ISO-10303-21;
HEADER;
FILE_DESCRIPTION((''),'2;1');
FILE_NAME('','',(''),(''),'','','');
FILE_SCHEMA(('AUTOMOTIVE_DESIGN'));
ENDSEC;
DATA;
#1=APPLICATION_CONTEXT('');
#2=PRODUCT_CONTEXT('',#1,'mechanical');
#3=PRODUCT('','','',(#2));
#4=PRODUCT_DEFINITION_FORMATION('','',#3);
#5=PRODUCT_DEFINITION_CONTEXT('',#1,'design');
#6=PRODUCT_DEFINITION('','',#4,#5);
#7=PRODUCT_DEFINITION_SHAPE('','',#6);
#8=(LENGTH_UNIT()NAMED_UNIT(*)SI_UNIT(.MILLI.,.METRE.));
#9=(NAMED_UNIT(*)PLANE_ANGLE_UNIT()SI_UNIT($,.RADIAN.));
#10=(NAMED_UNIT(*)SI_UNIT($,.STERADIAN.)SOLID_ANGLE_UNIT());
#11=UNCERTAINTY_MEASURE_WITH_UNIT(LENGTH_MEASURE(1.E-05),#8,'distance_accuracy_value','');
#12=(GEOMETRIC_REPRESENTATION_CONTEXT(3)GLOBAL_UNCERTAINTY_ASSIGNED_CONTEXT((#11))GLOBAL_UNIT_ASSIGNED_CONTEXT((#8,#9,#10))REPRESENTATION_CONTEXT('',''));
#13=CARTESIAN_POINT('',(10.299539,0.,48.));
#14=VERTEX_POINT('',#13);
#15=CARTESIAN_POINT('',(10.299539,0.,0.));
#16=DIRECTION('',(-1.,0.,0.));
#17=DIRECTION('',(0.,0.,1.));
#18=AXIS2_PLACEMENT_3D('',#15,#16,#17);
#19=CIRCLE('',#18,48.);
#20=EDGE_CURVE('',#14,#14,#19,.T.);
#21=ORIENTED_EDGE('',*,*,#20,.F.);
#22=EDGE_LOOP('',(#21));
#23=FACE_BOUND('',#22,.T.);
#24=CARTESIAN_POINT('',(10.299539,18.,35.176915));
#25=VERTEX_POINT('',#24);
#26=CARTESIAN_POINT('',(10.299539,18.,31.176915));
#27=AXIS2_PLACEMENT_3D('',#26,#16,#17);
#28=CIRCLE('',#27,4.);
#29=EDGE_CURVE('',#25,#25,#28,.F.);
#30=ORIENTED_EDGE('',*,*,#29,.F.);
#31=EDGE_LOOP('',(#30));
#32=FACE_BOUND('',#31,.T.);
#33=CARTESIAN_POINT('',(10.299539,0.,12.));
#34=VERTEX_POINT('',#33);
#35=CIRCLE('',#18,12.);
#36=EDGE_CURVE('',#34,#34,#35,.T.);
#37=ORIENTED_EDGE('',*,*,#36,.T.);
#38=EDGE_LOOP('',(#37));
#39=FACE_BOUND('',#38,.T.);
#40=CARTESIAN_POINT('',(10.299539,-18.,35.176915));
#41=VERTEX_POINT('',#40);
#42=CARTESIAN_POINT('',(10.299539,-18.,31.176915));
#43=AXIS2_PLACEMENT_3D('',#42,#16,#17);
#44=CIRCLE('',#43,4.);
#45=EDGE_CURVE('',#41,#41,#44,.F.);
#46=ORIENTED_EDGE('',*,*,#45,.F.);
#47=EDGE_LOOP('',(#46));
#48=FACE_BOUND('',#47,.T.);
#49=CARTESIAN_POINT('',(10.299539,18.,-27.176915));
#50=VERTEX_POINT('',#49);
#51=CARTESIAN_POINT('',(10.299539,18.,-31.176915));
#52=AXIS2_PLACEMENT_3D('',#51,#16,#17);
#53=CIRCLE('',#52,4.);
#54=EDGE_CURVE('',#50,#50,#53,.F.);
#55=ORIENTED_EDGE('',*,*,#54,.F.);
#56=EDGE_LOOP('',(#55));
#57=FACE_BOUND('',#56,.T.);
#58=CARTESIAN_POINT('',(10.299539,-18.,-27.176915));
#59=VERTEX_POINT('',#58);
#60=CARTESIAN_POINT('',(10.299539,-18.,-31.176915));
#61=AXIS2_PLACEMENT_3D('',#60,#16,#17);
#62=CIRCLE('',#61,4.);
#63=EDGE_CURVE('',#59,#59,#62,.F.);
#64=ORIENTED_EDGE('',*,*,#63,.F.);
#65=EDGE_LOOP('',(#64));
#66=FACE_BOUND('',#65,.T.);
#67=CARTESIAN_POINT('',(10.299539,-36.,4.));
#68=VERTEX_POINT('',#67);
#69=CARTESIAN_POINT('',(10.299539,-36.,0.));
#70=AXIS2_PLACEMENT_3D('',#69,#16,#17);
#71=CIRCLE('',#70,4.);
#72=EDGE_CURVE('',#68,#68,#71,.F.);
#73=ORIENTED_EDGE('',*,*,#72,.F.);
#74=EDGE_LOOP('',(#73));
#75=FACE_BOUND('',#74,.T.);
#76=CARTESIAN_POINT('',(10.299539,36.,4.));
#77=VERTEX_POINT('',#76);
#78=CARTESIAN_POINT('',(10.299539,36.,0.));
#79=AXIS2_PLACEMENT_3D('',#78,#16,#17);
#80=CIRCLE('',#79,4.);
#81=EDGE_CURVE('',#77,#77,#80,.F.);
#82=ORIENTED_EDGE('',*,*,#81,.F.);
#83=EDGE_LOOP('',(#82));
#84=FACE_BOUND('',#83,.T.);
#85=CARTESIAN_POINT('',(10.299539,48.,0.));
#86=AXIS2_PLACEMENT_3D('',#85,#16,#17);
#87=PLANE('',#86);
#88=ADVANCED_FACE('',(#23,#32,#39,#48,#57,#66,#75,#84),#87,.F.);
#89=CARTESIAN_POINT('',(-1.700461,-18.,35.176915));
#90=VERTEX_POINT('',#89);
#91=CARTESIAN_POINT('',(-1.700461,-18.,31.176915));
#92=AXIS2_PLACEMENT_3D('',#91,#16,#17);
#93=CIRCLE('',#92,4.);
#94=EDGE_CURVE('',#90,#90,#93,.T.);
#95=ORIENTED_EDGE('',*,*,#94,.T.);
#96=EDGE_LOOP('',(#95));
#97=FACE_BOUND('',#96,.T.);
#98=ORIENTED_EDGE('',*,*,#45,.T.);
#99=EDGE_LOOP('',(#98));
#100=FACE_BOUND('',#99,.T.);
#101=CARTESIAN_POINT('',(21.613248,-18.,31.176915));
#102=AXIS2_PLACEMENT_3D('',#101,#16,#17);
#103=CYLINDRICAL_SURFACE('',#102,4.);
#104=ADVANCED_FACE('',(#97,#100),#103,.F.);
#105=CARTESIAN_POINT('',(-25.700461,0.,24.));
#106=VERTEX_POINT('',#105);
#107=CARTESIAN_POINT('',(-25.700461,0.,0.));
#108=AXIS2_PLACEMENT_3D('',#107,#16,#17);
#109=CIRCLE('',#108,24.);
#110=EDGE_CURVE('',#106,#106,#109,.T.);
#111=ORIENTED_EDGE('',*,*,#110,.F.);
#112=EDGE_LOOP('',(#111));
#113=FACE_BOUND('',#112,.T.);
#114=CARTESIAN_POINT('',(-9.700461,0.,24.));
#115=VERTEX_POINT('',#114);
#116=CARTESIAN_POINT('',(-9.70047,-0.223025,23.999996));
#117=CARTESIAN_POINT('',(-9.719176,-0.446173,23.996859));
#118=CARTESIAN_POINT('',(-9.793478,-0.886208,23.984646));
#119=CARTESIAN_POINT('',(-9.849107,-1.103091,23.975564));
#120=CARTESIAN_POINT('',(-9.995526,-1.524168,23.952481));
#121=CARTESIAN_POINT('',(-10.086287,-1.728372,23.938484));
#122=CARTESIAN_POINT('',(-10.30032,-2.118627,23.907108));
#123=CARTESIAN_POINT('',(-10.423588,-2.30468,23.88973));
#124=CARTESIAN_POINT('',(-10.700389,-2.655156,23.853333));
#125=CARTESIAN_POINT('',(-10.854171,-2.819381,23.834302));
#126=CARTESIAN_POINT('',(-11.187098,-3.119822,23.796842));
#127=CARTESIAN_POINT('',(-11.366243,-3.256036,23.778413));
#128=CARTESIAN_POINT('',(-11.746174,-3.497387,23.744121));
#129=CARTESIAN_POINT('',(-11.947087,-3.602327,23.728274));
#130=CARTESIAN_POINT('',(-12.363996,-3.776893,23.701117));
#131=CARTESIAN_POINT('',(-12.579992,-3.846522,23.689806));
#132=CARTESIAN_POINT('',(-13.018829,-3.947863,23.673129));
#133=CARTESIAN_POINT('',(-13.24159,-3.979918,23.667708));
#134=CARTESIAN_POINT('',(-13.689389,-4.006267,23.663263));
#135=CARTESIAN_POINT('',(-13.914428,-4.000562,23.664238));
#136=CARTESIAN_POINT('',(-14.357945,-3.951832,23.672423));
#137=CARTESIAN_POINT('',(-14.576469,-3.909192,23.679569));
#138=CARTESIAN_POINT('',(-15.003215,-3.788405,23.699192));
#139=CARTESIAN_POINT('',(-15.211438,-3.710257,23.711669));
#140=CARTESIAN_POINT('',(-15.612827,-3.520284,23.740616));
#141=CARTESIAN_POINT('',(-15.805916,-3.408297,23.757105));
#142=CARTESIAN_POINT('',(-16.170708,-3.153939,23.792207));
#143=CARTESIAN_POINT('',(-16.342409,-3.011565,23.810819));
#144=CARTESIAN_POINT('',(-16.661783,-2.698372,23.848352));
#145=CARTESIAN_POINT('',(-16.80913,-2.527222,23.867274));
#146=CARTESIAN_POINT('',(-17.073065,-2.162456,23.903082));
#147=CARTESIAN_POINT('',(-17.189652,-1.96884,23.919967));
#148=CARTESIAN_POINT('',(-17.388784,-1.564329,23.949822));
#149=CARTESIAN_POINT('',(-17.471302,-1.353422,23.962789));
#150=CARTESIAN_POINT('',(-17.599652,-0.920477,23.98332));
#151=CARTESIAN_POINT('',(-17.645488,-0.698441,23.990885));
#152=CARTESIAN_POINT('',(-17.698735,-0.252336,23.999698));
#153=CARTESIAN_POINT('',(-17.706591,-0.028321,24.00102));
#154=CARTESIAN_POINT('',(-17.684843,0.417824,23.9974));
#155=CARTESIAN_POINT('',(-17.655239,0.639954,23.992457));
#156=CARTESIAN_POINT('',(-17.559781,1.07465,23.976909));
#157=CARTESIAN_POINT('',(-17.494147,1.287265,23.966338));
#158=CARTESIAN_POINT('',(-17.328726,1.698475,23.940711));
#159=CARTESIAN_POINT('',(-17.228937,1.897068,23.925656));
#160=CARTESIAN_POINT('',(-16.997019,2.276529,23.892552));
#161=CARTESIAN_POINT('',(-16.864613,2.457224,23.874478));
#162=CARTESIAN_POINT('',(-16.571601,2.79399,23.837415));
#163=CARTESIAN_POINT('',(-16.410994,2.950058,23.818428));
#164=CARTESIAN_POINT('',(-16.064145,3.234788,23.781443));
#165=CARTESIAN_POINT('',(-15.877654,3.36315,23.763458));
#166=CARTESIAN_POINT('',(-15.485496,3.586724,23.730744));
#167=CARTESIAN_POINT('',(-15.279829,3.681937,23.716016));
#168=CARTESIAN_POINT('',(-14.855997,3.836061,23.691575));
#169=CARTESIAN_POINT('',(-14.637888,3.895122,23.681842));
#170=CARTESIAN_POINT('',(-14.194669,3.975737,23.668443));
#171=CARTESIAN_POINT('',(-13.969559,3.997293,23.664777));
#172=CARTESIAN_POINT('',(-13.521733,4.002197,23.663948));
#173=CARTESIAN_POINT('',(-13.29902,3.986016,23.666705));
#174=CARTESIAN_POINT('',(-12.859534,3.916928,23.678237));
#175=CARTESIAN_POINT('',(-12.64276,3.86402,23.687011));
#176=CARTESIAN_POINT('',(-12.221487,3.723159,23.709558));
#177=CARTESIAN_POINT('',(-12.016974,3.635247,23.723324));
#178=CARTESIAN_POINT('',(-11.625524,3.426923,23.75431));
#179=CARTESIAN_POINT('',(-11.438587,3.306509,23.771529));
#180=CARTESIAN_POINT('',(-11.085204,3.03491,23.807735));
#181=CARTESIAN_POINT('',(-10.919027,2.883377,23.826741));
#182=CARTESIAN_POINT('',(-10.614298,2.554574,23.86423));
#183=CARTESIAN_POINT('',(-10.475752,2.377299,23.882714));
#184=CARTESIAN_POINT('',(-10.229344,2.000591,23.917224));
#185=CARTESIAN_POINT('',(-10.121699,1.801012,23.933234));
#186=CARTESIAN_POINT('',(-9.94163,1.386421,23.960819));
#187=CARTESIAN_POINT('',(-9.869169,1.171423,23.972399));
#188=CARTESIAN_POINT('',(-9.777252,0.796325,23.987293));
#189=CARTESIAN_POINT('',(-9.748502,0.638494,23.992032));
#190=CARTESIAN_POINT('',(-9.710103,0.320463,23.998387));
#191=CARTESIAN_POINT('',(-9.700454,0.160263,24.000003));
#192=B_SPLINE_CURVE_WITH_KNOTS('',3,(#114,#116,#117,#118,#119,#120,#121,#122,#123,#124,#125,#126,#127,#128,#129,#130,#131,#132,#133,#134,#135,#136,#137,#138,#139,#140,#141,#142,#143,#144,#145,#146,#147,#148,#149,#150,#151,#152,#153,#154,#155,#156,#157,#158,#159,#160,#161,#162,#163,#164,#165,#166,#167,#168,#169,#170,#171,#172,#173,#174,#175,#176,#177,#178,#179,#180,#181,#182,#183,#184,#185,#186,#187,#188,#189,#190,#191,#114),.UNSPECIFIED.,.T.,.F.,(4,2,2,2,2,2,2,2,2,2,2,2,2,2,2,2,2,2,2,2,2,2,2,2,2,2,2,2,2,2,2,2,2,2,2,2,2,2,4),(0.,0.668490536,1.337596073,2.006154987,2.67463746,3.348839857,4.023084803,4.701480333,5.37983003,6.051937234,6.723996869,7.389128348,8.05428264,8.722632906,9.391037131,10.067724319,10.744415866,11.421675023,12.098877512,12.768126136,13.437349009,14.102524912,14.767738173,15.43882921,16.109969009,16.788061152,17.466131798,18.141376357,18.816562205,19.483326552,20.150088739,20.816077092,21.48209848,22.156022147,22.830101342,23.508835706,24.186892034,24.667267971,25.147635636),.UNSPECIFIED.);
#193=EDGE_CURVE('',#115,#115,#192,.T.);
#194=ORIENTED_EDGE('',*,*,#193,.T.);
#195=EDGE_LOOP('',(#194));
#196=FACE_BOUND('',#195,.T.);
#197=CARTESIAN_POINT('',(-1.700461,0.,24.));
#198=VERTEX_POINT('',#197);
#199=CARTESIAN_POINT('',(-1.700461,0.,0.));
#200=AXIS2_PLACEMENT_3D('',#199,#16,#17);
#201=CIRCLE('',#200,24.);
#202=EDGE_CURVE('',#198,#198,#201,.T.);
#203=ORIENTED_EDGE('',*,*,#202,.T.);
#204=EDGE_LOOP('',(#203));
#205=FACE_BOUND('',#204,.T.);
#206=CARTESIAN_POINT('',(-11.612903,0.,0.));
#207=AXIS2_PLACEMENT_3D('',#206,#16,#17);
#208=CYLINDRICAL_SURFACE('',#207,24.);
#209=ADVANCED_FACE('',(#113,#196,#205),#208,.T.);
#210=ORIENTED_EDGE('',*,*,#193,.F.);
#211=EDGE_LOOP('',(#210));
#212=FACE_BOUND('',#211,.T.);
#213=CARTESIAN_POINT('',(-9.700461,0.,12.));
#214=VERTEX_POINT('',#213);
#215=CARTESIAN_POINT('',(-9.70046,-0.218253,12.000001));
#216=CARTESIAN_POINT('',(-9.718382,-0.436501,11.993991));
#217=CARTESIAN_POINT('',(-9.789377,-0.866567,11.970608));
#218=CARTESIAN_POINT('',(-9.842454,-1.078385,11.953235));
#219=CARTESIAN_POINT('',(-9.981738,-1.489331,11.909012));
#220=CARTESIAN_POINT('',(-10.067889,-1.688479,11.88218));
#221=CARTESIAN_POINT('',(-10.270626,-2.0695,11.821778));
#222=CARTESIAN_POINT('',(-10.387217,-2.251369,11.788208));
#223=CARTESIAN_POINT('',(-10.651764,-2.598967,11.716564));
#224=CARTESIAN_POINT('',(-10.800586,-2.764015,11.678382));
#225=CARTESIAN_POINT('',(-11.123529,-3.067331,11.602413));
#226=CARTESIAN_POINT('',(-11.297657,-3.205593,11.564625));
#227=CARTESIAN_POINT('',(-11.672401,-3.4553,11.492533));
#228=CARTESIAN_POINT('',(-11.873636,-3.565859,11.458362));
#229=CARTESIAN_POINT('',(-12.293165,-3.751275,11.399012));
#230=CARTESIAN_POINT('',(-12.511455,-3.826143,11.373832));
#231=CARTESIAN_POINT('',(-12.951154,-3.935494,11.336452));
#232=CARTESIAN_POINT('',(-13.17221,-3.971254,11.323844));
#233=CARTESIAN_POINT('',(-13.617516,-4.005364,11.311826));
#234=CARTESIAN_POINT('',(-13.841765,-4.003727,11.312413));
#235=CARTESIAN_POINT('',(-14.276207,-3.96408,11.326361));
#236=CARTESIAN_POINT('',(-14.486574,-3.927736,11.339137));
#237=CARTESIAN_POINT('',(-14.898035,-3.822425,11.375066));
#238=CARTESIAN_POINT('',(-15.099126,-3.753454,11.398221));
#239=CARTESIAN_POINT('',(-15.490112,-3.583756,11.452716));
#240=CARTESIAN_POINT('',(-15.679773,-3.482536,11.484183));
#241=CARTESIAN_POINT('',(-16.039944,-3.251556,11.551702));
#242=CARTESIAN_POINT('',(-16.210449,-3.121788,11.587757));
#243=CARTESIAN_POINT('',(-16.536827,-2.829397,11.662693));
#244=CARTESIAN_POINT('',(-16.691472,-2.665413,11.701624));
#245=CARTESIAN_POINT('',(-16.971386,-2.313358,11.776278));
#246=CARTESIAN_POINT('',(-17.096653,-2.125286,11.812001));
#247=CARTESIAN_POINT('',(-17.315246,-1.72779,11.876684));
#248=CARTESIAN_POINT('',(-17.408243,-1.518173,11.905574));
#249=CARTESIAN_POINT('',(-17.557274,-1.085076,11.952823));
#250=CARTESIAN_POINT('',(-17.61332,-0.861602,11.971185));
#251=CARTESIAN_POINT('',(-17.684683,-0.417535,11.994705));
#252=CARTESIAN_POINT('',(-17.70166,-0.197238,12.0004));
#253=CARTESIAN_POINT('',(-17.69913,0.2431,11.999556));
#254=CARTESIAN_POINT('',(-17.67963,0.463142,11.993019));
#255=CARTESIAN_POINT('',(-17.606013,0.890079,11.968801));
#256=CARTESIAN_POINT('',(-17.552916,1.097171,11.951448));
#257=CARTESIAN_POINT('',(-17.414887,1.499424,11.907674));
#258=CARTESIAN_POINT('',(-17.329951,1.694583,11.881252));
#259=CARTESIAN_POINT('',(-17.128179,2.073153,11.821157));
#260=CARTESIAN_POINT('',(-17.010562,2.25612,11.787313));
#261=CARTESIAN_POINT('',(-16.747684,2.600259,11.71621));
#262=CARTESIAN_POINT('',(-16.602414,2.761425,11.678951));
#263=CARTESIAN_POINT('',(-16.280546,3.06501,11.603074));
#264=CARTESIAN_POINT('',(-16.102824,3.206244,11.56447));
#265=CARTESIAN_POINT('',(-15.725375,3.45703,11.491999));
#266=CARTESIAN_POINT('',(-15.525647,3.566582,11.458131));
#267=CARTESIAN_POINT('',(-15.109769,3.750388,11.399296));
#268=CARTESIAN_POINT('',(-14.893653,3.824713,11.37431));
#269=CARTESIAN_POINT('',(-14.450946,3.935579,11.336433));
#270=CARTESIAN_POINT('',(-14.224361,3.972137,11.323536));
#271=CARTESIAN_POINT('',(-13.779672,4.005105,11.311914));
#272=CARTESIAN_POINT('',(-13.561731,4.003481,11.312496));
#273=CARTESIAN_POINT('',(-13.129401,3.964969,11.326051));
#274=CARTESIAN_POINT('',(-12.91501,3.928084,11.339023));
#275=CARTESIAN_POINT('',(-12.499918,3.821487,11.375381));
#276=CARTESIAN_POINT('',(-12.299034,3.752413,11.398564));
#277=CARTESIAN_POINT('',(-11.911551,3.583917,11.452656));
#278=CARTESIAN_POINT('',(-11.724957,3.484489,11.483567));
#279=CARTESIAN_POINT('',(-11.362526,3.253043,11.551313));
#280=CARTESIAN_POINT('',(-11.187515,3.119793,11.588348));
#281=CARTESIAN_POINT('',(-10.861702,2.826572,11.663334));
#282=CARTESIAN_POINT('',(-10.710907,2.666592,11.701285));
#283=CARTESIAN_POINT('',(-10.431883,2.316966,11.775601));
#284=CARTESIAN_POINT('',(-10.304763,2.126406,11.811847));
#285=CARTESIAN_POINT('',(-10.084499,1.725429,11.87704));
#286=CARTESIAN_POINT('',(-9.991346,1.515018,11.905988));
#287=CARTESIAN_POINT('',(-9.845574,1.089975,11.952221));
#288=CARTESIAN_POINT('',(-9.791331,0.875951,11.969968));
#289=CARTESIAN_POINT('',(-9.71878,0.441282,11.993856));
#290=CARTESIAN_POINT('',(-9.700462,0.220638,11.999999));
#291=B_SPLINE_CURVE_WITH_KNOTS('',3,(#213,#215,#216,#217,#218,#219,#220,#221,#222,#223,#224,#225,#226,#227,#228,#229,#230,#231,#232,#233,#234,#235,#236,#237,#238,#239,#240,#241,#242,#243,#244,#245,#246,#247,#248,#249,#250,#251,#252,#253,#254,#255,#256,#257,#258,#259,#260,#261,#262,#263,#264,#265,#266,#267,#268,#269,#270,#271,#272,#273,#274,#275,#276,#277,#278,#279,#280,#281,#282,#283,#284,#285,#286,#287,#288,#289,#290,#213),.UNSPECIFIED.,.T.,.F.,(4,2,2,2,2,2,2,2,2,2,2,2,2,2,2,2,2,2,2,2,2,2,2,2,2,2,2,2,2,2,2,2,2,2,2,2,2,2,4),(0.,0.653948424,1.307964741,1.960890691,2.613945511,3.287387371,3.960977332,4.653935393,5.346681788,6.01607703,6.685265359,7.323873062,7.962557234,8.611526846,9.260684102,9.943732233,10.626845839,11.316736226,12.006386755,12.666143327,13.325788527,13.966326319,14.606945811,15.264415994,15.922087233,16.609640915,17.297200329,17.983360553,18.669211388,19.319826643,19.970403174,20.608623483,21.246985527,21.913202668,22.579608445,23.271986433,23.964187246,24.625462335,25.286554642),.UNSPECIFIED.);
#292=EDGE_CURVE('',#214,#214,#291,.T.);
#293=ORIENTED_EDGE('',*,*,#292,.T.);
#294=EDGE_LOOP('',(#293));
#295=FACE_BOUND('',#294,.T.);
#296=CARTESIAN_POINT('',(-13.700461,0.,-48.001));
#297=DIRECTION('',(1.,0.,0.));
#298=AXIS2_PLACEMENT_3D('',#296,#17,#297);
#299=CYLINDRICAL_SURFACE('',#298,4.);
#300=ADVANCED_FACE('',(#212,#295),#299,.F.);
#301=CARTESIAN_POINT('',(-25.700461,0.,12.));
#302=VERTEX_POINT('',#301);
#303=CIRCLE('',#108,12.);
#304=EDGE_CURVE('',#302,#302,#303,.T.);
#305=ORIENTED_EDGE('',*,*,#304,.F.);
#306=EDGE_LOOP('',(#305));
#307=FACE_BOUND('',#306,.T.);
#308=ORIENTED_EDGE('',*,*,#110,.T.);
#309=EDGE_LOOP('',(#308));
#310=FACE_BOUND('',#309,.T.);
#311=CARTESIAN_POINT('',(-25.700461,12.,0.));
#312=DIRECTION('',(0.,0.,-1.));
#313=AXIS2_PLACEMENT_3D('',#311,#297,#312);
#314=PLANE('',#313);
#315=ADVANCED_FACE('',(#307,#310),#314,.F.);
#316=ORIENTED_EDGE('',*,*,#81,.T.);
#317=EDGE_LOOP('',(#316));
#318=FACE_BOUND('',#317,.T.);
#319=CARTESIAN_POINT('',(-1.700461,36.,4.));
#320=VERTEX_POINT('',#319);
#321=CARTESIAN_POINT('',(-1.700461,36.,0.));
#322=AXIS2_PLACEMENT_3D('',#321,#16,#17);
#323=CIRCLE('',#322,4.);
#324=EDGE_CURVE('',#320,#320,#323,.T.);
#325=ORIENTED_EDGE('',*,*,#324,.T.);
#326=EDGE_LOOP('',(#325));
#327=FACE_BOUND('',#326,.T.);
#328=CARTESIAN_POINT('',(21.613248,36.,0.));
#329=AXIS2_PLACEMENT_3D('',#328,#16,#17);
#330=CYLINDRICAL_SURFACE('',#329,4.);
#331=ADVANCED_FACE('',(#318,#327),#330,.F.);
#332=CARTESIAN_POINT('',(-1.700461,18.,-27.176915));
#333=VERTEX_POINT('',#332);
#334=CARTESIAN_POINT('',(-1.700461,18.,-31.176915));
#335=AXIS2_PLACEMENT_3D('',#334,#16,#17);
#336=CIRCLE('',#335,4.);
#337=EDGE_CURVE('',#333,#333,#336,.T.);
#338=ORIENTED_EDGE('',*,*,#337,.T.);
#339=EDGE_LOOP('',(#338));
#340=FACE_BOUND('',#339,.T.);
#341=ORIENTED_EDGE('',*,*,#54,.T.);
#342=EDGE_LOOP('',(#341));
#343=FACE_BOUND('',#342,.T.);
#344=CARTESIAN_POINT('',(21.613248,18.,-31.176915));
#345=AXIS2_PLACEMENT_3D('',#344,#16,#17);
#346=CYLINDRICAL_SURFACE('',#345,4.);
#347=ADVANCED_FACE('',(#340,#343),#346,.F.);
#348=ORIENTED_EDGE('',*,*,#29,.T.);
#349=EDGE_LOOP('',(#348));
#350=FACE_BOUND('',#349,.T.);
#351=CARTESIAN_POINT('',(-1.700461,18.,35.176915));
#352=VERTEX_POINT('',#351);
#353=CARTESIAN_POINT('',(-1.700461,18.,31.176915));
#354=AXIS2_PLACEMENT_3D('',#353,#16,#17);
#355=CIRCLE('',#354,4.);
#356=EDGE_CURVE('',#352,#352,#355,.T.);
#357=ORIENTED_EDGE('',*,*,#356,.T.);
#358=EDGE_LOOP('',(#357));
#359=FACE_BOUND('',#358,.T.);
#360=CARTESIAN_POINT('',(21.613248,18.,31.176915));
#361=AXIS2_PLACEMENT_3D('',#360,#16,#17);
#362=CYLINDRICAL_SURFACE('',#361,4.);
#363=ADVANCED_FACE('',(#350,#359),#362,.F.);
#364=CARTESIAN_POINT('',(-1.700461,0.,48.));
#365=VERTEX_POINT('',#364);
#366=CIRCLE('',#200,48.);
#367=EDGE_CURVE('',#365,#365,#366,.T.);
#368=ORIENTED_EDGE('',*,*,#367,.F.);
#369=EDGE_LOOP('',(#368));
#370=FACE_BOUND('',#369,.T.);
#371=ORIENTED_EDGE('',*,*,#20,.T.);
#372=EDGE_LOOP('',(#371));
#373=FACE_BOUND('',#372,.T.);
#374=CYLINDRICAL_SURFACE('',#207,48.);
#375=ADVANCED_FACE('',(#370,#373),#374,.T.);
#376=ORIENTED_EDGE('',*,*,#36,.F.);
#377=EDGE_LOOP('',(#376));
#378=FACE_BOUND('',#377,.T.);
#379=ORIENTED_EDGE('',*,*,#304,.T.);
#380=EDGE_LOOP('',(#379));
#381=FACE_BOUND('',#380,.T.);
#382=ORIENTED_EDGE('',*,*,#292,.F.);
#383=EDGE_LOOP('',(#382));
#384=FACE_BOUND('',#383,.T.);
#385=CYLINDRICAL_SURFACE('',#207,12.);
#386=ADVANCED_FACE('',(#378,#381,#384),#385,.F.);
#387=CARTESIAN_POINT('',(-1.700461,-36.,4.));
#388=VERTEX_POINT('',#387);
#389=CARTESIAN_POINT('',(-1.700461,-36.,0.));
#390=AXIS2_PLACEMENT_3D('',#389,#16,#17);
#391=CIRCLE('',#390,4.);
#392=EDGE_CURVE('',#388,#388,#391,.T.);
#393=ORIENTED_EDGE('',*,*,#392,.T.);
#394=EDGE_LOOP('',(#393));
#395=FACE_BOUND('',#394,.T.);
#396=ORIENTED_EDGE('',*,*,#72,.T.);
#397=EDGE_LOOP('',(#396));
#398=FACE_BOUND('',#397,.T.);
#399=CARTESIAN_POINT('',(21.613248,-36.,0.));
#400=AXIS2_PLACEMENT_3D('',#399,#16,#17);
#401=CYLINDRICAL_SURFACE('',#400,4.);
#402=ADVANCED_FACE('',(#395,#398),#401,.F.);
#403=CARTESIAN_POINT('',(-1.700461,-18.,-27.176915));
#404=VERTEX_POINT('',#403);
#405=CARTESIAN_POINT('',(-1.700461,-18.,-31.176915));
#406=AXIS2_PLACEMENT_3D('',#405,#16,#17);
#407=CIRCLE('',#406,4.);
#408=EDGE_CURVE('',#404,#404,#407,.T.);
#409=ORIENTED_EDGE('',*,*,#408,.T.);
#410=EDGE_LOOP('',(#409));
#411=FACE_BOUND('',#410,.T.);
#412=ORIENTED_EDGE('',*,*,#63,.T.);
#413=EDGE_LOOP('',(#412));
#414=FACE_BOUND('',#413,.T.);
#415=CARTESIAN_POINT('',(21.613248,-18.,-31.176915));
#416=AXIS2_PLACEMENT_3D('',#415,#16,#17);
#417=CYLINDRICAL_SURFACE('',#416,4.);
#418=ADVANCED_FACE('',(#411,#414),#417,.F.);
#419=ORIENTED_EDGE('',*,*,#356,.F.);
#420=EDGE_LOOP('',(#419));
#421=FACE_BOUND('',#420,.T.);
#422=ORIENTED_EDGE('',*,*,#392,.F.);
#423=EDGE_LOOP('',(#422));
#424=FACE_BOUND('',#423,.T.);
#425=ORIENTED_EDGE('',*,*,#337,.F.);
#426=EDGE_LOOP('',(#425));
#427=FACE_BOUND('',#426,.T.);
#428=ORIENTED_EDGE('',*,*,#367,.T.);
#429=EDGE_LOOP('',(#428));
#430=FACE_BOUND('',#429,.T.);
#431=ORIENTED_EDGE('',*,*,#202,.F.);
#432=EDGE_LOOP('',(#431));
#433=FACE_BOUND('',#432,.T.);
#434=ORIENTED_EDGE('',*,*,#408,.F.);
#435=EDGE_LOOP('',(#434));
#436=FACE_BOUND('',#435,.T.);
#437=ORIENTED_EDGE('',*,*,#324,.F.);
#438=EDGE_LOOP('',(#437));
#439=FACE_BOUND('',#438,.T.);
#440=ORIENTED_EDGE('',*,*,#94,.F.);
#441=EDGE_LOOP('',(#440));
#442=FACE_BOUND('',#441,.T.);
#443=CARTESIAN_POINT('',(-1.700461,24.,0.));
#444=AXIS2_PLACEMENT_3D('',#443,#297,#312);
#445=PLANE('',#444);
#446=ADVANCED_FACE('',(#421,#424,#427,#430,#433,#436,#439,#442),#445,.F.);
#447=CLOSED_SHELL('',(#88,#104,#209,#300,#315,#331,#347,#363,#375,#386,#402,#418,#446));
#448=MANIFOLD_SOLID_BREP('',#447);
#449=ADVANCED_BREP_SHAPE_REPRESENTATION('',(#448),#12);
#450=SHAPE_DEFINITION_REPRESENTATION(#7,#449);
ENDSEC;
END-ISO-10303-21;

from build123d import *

# Parameters (mm, degrees)
SKETCH2_R          = 4
CUT_EXTRUDE1_DEPTH = 12
CUT_EXTRUDE2_REACH = 74
SKETCH3_R          = 4


with BuildPart() as part:
    # Sketch1 → Revolve1 (revolve)
    with BuildSketch(Plane.XY):
        Polygon((-25.700460829, 12), (-25.700460829, 24), (-1.700460829, 24), (-1.700460829, 48), (10.299539171, 48), (10.299539171, 12), align=None)
    revolve(axis=Axis((-11.612903226, 0, 0), (1, 0, 0)))

    # Sketch2 → Cut-Extrude1 (cut)
    with BuildSketch(Plane.ZY.offset(1.700460829)):
        with Locations((0, 36)):
            Circle(SKETCH2_R)
        with Locations((31.176914536, 18)):
            Circle(SKETCH2_R)
        with Locations((31.176914536, -18)):
            Circle(SKETCH2_R)
        with Locations((0, -36)):
            Circle(SKETCH2_R)
        with Locations((-31.176914536, -18)):
            Circle(SKETCH2_R)
        with Locations((-31.176914536, 18)):
            Circle(SKETCH2_R)
    extrude(amount=-CUT_EXTRUDE1_DEPTH, mode=Mode.SUBTRACT)

    # Sketch3 → Cut-Extrude2 (cut, up to next)
    with BuildSketch(Plane.XY.offset(24), mode=Mode.PRIVATE) as cut_extrude2_sk1:
        with Locations((-13.700460829, 0)):
            Circle(SKETCH3_R)
    cut_extrude2_tool1 = extrude(cut_extrude2_sk1.sketch, amount=-CUT_EXTRUDE2_REACH, mode=Mode.PRIVATE) & part.part
    add(cut_extrude2_tool1.solids().sort_by_distance((-13.700461, 0, 24))[0], mode=Mode.SUBTRACT)


solid = part.part
